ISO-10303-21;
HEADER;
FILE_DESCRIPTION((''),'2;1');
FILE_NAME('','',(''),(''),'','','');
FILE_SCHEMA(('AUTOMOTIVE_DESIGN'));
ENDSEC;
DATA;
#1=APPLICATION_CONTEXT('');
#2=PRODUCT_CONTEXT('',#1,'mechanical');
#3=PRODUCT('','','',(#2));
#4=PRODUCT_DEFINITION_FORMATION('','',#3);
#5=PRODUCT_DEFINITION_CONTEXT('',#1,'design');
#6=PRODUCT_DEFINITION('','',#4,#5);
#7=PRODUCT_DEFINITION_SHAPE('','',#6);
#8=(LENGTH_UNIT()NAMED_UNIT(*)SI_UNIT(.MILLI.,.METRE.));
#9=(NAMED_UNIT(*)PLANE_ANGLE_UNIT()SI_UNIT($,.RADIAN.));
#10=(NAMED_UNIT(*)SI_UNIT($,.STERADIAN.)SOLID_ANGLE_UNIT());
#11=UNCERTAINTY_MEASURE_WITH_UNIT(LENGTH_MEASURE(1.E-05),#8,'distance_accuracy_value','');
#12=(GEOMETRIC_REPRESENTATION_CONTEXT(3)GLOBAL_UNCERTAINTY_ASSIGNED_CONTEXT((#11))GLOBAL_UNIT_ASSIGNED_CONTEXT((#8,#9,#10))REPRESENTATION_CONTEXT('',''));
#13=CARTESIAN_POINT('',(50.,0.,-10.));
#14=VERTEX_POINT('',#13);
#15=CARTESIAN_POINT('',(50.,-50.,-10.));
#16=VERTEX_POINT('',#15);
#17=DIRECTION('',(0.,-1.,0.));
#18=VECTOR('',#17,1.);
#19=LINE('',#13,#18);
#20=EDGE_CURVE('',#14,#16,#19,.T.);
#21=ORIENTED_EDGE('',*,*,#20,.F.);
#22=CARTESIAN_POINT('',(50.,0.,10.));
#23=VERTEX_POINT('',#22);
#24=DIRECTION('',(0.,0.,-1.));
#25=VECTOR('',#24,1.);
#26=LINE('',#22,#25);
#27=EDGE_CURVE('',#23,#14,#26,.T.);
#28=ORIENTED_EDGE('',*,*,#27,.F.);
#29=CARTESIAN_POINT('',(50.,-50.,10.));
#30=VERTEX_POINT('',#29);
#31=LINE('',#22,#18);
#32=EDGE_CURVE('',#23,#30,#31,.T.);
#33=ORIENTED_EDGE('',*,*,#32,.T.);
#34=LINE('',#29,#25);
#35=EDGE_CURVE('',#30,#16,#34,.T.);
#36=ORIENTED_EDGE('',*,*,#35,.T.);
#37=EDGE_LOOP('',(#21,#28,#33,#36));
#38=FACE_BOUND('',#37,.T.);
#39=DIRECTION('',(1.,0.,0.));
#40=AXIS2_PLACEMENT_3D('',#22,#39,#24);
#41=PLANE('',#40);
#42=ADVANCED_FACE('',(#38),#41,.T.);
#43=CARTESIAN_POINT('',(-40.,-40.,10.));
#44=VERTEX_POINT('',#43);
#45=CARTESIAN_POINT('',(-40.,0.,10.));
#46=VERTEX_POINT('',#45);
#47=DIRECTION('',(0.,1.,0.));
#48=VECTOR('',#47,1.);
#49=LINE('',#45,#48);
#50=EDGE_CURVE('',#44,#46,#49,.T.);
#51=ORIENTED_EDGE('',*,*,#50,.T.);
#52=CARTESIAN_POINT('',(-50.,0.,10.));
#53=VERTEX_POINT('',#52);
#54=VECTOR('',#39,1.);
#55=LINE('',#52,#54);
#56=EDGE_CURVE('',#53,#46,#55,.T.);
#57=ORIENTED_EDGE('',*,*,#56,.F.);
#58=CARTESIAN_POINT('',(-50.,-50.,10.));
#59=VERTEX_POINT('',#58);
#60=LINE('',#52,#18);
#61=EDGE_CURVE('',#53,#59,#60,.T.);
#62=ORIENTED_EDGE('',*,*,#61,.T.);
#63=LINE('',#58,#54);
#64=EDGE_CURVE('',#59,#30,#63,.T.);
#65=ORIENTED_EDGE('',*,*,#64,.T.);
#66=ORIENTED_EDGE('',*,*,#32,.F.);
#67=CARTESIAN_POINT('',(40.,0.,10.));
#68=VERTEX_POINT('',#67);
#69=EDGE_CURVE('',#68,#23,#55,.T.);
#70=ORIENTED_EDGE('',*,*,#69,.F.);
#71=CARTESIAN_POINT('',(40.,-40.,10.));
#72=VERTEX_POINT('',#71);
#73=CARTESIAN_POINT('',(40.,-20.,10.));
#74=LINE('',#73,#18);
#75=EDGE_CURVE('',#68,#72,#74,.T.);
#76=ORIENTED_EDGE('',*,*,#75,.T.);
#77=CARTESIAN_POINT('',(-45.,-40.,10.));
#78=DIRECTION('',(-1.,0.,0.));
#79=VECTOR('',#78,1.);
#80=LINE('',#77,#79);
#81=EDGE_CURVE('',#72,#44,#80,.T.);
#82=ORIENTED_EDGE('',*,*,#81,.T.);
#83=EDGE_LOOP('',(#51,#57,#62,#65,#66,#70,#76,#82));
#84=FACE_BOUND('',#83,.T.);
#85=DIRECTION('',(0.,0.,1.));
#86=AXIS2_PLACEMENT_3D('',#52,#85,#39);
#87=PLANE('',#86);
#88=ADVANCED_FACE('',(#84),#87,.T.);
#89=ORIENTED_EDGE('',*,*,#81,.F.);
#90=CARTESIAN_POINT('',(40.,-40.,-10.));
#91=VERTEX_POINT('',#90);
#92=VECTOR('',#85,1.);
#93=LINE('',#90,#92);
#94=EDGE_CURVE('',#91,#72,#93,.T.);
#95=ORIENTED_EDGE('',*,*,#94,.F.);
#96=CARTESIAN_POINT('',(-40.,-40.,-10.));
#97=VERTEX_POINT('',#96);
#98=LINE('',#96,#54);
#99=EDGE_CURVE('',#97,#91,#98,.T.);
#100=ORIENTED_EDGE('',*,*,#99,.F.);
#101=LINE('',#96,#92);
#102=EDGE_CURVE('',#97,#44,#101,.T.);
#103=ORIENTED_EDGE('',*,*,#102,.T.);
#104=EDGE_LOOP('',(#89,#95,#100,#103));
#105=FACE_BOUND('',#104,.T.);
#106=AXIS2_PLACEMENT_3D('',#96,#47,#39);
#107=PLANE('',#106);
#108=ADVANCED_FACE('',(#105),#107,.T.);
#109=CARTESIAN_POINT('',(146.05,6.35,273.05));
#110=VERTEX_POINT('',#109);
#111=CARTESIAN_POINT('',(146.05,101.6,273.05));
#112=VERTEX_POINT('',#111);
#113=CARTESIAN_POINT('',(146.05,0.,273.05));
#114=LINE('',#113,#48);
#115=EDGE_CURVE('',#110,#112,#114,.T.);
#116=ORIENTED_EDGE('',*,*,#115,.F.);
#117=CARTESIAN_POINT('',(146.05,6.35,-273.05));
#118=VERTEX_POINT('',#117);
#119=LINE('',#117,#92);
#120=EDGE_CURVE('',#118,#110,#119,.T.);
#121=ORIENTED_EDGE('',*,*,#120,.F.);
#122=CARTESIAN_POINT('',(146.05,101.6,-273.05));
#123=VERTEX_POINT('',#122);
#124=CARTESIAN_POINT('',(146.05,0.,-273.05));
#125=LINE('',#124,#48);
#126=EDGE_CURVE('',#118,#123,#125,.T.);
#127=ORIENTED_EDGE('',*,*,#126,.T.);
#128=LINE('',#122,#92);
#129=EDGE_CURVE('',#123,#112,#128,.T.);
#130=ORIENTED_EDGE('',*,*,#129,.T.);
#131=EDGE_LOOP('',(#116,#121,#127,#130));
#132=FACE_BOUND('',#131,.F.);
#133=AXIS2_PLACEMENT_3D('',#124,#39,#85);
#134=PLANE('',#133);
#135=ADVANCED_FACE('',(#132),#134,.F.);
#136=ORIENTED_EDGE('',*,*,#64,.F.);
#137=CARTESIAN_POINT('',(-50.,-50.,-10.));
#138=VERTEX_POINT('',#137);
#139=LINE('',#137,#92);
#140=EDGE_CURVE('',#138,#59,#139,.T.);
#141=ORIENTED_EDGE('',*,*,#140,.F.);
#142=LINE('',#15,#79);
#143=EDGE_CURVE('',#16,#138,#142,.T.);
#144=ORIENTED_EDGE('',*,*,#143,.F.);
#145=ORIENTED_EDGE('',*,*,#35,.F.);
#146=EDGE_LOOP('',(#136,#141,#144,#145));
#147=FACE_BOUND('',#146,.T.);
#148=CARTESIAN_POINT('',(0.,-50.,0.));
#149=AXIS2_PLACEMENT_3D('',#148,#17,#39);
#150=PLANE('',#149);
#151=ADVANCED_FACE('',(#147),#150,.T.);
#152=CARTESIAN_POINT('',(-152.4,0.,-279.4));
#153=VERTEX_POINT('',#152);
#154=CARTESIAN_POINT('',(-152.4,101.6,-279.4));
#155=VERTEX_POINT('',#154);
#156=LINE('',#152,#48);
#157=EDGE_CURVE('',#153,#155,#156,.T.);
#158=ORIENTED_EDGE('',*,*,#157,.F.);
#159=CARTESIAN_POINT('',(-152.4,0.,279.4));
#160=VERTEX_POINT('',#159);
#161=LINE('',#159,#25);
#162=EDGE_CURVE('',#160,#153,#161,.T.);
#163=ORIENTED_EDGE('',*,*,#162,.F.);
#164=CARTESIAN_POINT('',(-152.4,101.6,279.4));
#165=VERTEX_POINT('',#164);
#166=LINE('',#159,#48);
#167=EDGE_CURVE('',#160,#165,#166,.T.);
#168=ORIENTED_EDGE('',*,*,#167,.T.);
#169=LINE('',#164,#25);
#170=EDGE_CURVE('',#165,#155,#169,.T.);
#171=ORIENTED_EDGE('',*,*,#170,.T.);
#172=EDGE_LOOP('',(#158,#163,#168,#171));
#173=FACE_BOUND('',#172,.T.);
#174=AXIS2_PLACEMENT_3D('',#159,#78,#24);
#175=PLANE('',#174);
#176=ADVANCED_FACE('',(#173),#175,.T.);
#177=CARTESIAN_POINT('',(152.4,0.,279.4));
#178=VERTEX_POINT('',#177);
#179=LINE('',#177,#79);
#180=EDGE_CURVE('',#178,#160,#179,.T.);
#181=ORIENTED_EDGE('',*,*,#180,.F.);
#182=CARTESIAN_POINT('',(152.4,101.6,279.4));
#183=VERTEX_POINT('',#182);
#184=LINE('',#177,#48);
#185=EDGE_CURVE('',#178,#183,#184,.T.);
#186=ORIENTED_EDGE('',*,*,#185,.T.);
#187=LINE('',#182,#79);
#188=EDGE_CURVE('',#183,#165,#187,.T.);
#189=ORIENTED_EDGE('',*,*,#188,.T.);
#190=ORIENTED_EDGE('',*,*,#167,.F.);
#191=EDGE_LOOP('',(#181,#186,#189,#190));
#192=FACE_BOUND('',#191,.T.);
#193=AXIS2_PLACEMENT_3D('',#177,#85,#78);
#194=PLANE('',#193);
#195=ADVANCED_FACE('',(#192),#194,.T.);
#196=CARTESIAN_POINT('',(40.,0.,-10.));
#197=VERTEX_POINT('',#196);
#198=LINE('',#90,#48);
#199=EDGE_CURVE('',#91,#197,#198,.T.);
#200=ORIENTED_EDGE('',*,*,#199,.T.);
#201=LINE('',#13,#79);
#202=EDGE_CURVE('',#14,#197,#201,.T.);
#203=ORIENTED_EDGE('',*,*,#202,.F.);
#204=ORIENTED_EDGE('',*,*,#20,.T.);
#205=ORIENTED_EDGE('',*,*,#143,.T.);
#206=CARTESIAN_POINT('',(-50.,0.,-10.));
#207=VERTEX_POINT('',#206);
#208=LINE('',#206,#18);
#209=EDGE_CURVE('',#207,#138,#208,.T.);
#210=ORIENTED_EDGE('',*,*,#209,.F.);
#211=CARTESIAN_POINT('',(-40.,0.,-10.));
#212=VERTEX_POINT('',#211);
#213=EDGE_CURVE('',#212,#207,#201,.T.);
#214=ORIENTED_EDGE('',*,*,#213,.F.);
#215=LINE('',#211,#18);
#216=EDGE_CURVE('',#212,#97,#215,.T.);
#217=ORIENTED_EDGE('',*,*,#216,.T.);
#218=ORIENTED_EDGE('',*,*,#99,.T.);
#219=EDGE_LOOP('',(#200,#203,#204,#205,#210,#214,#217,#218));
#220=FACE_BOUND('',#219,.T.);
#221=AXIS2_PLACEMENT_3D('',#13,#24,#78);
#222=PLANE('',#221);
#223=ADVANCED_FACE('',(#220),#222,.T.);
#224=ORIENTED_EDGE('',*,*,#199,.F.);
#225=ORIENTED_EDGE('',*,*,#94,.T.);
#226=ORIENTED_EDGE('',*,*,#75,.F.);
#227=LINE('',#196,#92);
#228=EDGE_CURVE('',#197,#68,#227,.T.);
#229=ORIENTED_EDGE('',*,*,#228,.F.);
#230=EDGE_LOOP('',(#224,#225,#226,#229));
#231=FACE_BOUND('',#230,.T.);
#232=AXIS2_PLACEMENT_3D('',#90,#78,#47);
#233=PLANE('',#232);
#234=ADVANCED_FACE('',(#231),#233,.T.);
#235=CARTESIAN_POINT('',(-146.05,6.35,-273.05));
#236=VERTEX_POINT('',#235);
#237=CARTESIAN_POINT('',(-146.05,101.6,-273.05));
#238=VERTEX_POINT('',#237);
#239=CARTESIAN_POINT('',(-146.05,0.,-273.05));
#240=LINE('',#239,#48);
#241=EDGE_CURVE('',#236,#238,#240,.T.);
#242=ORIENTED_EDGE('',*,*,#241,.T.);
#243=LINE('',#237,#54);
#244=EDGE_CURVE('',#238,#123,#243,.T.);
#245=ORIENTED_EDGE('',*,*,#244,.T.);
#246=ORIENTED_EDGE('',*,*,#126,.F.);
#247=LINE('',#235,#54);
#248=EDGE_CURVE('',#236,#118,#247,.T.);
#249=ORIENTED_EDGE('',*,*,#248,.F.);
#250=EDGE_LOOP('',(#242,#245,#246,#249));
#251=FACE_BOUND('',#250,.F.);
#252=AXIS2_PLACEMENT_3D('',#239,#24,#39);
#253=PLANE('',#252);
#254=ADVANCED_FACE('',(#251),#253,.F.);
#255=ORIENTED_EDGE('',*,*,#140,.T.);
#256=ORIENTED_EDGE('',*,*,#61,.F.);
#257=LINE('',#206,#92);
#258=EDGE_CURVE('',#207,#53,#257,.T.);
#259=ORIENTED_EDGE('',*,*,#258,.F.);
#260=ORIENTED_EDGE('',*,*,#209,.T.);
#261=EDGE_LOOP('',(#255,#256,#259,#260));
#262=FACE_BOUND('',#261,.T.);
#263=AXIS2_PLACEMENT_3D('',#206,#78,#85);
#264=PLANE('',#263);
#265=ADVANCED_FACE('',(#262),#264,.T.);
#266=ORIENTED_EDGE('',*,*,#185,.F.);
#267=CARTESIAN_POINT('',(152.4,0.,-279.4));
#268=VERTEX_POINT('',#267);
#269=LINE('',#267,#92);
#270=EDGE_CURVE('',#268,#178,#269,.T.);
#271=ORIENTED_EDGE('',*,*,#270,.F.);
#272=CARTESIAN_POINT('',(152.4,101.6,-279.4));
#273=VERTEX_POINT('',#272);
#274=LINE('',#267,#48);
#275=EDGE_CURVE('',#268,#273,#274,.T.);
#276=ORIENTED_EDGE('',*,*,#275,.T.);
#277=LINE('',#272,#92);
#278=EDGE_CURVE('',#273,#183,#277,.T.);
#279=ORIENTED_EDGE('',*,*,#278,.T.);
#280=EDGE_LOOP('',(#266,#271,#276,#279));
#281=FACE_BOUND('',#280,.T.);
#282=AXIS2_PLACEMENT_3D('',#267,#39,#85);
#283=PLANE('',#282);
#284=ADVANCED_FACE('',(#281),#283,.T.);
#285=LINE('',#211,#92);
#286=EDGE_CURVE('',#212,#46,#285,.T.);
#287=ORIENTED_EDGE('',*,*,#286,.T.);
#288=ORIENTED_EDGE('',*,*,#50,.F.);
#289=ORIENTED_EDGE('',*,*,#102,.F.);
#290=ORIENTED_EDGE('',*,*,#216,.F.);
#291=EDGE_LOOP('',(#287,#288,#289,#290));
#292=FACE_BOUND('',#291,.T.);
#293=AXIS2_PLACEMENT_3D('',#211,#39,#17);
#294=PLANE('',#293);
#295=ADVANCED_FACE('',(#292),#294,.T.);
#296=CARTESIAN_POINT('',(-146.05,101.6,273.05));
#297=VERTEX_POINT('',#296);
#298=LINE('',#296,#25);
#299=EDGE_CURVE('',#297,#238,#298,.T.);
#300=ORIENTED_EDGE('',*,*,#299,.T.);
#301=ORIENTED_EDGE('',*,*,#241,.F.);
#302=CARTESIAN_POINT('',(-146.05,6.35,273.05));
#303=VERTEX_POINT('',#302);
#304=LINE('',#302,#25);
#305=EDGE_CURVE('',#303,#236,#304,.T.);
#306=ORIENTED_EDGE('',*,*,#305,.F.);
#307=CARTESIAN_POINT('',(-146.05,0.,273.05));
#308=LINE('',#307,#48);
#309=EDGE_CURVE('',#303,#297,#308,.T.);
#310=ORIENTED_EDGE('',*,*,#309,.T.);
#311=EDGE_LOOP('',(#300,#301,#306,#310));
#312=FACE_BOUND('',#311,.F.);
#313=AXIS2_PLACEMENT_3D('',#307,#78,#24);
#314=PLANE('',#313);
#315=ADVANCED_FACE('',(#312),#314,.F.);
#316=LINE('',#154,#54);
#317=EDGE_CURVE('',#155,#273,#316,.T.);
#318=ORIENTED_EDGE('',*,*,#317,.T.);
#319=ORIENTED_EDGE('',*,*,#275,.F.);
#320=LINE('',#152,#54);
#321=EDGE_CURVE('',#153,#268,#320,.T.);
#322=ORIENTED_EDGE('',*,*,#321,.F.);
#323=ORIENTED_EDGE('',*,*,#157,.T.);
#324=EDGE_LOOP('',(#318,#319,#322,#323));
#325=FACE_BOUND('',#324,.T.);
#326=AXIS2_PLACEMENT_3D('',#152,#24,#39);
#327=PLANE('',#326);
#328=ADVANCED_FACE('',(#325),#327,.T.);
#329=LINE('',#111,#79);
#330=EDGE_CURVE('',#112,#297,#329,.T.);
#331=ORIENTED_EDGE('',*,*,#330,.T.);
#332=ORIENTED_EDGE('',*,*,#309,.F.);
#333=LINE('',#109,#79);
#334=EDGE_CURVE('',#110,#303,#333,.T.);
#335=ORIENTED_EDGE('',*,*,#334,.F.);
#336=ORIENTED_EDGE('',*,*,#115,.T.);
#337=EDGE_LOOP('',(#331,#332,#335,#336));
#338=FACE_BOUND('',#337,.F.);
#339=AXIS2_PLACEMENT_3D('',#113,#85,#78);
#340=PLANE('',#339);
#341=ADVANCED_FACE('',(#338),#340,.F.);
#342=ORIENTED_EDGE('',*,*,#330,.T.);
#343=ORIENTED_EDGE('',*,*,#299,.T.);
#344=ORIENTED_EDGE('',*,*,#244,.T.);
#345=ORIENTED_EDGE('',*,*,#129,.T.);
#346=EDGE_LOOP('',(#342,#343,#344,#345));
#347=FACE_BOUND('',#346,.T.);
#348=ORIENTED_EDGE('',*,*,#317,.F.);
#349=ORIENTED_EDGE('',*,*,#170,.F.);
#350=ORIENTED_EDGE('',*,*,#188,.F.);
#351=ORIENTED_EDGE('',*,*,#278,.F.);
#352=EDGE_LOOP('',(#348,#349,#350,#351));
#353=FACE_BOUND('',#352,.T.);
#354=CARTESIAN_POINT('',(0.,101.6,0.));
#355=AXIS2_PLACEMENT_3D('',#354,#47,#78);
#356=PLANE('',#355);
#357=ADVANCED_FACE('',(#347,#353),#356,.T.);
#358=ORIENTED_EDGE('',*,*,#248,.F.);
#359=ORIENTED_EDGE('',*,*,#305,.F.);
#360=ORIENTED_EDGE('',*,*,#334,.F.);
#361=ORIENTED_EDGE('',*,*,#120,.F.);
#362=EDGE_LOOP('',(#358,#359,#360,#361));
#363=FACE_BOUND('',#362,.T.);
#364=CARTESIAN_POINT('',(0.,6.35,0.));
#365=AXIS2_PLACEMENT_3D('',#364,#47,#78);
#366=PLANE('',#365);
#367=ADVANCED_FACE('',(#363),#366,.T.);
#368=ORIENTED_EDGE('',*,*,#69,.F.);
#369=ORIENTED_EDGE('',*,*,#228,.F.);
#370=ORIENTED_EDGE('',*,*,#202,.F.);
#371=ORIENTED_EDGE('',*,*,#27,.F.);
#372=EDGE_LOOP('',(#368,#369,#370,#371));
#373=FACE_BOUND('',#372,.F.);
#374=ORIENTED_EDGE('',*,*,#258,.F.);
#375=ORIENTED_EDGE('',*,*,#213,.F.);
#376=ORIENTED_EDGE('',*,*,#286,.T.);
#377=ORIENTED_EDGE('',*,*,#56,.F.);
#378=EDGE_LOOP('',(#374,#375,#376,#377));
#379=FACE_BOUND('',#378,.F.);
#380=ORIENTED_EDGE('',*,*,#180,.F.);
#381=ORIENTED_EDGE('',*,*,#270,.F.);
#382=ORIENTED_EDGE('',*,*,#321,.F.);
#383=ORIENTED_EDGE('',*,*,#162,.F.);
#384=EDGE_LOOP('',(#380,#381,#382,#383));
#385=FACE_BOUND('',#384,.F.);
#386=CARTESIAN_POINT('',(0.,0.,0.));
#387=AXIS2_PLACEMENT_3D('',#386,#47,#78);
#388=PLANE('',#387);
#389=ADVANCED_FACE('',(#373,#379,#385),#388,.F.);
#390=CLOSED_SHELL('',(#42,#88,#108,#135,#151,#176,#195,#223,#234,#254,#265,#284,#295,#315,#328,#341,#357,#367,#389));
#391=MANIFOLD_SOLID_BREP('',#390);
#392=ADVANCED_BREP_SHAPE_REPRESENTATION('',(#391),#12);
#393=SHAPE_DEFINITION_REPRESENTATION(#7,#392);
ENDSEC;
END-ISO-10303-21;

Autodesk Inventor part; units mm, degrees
ref_plane "YZ Plane" through (0, 0, 0) normal (1, 0, 0) x (0, 1, 0)
ref_plane "XZ Plane" through (0, 0, 0) normal (0, 1, 0) x (-1, 0, 0)
ref_plane "XY Plane" through (0, 0, 0) normal (0, 0, 1) x (1, 0, 0)
sketch "Sketch1" plane through (0, 0, 0) normal (0, 1, 0) x (-1, 0, 0)
  line L0 (-152.4, 279.4) -> (152.4, 279.4)
  line L1 (152.4, 279.4) -> (152.4, -279.4)
  line L2 (152.4, -279.4) -> (-152.4, -279.4)
  line L3 (-152.4, -279.4) -> (-152.4, 279.4)
  line L4 (-152.4, 279.4) -> (152.4, -279.4) construction
  line L5 (152.4, 279.4) -> (-152.4, -279.4) construction
  line L6 (-146.05, 273.05) -> (146.05, 273.05)
  line L7 (146.05, 273.05) -> (146.05, -273.05)
  line L8 (146.05, -273.05) -> (-146.05, -273.05)
  line L9 (-146.05, -273.05) -> (-146.05, 273.05)
  line L10 (-146.05, 273.05) -> (146.05, -273.05) construction
  line L11 (146.05, 273.05) -> (-146.05, -273.05) construction
  point P0 (0, 0)
  dimension "d0" = 558.8
  dimension "d1" = 304.8
  dimension "d2" = 546.1
  dimension "d3" = 292.1
extrude "Extrusion1" add sketch "Sketch1" along normal blind 6.35 contours L6 L7 L8 L9
extrude "Extrusion2" add sketch "Sketch1" along normal blind 101.6
sketch "Sketch2" plane through (0, 0, 0) normal (0, -1, 0) x (1, 0, 0)
  line L0 (-50, 10) -> (50, 10)
  line L1 (50, 10) -> (50, -10)
  line L2 (50, -10) -> (-50, -10)
  line L3 (-50, -10) -> (-50, 10)
  line L4 (-50, 10) -> (50, -10) construction
  line L5 (50, 10) -> (-50, -10) construction
  point P0 (0, 0)
  dimension "d8" = 20
  dimension "d9" = 100
extrude "Extrusion3" add sketch "Sketch2" along normal blind 50
sketch "Sketch4" plane through (50, 0, -10) normal (0, 0, -1) x (-1, 0, 0)
  line L0 (202.4, 0) -> (-102.4, 0) projected
  line L1 (90, 0) -> (90, -40)
  line L2 (90, -40) -> (10, -40)
  line L3 (10, -40) -> (10, 0)
  line L4 (100, -50) -> (0, -50) projected
  line L5 (0, 0) -> (0, -50) projected
  line L6 (100, 0) -> (100, -50) projected
  point P0 (50, 0)
  point P1 (50, -40)
  point P2 (0, -25)
  dimension "d17" = 10
  dimension "d18" = 10
  dimension "d19" = 10
extrude "Extrusion5" cut sketch "Sketch4" against normal blind 50 contours L1 L2 L3 L0
properties part number "Blackout Box"
